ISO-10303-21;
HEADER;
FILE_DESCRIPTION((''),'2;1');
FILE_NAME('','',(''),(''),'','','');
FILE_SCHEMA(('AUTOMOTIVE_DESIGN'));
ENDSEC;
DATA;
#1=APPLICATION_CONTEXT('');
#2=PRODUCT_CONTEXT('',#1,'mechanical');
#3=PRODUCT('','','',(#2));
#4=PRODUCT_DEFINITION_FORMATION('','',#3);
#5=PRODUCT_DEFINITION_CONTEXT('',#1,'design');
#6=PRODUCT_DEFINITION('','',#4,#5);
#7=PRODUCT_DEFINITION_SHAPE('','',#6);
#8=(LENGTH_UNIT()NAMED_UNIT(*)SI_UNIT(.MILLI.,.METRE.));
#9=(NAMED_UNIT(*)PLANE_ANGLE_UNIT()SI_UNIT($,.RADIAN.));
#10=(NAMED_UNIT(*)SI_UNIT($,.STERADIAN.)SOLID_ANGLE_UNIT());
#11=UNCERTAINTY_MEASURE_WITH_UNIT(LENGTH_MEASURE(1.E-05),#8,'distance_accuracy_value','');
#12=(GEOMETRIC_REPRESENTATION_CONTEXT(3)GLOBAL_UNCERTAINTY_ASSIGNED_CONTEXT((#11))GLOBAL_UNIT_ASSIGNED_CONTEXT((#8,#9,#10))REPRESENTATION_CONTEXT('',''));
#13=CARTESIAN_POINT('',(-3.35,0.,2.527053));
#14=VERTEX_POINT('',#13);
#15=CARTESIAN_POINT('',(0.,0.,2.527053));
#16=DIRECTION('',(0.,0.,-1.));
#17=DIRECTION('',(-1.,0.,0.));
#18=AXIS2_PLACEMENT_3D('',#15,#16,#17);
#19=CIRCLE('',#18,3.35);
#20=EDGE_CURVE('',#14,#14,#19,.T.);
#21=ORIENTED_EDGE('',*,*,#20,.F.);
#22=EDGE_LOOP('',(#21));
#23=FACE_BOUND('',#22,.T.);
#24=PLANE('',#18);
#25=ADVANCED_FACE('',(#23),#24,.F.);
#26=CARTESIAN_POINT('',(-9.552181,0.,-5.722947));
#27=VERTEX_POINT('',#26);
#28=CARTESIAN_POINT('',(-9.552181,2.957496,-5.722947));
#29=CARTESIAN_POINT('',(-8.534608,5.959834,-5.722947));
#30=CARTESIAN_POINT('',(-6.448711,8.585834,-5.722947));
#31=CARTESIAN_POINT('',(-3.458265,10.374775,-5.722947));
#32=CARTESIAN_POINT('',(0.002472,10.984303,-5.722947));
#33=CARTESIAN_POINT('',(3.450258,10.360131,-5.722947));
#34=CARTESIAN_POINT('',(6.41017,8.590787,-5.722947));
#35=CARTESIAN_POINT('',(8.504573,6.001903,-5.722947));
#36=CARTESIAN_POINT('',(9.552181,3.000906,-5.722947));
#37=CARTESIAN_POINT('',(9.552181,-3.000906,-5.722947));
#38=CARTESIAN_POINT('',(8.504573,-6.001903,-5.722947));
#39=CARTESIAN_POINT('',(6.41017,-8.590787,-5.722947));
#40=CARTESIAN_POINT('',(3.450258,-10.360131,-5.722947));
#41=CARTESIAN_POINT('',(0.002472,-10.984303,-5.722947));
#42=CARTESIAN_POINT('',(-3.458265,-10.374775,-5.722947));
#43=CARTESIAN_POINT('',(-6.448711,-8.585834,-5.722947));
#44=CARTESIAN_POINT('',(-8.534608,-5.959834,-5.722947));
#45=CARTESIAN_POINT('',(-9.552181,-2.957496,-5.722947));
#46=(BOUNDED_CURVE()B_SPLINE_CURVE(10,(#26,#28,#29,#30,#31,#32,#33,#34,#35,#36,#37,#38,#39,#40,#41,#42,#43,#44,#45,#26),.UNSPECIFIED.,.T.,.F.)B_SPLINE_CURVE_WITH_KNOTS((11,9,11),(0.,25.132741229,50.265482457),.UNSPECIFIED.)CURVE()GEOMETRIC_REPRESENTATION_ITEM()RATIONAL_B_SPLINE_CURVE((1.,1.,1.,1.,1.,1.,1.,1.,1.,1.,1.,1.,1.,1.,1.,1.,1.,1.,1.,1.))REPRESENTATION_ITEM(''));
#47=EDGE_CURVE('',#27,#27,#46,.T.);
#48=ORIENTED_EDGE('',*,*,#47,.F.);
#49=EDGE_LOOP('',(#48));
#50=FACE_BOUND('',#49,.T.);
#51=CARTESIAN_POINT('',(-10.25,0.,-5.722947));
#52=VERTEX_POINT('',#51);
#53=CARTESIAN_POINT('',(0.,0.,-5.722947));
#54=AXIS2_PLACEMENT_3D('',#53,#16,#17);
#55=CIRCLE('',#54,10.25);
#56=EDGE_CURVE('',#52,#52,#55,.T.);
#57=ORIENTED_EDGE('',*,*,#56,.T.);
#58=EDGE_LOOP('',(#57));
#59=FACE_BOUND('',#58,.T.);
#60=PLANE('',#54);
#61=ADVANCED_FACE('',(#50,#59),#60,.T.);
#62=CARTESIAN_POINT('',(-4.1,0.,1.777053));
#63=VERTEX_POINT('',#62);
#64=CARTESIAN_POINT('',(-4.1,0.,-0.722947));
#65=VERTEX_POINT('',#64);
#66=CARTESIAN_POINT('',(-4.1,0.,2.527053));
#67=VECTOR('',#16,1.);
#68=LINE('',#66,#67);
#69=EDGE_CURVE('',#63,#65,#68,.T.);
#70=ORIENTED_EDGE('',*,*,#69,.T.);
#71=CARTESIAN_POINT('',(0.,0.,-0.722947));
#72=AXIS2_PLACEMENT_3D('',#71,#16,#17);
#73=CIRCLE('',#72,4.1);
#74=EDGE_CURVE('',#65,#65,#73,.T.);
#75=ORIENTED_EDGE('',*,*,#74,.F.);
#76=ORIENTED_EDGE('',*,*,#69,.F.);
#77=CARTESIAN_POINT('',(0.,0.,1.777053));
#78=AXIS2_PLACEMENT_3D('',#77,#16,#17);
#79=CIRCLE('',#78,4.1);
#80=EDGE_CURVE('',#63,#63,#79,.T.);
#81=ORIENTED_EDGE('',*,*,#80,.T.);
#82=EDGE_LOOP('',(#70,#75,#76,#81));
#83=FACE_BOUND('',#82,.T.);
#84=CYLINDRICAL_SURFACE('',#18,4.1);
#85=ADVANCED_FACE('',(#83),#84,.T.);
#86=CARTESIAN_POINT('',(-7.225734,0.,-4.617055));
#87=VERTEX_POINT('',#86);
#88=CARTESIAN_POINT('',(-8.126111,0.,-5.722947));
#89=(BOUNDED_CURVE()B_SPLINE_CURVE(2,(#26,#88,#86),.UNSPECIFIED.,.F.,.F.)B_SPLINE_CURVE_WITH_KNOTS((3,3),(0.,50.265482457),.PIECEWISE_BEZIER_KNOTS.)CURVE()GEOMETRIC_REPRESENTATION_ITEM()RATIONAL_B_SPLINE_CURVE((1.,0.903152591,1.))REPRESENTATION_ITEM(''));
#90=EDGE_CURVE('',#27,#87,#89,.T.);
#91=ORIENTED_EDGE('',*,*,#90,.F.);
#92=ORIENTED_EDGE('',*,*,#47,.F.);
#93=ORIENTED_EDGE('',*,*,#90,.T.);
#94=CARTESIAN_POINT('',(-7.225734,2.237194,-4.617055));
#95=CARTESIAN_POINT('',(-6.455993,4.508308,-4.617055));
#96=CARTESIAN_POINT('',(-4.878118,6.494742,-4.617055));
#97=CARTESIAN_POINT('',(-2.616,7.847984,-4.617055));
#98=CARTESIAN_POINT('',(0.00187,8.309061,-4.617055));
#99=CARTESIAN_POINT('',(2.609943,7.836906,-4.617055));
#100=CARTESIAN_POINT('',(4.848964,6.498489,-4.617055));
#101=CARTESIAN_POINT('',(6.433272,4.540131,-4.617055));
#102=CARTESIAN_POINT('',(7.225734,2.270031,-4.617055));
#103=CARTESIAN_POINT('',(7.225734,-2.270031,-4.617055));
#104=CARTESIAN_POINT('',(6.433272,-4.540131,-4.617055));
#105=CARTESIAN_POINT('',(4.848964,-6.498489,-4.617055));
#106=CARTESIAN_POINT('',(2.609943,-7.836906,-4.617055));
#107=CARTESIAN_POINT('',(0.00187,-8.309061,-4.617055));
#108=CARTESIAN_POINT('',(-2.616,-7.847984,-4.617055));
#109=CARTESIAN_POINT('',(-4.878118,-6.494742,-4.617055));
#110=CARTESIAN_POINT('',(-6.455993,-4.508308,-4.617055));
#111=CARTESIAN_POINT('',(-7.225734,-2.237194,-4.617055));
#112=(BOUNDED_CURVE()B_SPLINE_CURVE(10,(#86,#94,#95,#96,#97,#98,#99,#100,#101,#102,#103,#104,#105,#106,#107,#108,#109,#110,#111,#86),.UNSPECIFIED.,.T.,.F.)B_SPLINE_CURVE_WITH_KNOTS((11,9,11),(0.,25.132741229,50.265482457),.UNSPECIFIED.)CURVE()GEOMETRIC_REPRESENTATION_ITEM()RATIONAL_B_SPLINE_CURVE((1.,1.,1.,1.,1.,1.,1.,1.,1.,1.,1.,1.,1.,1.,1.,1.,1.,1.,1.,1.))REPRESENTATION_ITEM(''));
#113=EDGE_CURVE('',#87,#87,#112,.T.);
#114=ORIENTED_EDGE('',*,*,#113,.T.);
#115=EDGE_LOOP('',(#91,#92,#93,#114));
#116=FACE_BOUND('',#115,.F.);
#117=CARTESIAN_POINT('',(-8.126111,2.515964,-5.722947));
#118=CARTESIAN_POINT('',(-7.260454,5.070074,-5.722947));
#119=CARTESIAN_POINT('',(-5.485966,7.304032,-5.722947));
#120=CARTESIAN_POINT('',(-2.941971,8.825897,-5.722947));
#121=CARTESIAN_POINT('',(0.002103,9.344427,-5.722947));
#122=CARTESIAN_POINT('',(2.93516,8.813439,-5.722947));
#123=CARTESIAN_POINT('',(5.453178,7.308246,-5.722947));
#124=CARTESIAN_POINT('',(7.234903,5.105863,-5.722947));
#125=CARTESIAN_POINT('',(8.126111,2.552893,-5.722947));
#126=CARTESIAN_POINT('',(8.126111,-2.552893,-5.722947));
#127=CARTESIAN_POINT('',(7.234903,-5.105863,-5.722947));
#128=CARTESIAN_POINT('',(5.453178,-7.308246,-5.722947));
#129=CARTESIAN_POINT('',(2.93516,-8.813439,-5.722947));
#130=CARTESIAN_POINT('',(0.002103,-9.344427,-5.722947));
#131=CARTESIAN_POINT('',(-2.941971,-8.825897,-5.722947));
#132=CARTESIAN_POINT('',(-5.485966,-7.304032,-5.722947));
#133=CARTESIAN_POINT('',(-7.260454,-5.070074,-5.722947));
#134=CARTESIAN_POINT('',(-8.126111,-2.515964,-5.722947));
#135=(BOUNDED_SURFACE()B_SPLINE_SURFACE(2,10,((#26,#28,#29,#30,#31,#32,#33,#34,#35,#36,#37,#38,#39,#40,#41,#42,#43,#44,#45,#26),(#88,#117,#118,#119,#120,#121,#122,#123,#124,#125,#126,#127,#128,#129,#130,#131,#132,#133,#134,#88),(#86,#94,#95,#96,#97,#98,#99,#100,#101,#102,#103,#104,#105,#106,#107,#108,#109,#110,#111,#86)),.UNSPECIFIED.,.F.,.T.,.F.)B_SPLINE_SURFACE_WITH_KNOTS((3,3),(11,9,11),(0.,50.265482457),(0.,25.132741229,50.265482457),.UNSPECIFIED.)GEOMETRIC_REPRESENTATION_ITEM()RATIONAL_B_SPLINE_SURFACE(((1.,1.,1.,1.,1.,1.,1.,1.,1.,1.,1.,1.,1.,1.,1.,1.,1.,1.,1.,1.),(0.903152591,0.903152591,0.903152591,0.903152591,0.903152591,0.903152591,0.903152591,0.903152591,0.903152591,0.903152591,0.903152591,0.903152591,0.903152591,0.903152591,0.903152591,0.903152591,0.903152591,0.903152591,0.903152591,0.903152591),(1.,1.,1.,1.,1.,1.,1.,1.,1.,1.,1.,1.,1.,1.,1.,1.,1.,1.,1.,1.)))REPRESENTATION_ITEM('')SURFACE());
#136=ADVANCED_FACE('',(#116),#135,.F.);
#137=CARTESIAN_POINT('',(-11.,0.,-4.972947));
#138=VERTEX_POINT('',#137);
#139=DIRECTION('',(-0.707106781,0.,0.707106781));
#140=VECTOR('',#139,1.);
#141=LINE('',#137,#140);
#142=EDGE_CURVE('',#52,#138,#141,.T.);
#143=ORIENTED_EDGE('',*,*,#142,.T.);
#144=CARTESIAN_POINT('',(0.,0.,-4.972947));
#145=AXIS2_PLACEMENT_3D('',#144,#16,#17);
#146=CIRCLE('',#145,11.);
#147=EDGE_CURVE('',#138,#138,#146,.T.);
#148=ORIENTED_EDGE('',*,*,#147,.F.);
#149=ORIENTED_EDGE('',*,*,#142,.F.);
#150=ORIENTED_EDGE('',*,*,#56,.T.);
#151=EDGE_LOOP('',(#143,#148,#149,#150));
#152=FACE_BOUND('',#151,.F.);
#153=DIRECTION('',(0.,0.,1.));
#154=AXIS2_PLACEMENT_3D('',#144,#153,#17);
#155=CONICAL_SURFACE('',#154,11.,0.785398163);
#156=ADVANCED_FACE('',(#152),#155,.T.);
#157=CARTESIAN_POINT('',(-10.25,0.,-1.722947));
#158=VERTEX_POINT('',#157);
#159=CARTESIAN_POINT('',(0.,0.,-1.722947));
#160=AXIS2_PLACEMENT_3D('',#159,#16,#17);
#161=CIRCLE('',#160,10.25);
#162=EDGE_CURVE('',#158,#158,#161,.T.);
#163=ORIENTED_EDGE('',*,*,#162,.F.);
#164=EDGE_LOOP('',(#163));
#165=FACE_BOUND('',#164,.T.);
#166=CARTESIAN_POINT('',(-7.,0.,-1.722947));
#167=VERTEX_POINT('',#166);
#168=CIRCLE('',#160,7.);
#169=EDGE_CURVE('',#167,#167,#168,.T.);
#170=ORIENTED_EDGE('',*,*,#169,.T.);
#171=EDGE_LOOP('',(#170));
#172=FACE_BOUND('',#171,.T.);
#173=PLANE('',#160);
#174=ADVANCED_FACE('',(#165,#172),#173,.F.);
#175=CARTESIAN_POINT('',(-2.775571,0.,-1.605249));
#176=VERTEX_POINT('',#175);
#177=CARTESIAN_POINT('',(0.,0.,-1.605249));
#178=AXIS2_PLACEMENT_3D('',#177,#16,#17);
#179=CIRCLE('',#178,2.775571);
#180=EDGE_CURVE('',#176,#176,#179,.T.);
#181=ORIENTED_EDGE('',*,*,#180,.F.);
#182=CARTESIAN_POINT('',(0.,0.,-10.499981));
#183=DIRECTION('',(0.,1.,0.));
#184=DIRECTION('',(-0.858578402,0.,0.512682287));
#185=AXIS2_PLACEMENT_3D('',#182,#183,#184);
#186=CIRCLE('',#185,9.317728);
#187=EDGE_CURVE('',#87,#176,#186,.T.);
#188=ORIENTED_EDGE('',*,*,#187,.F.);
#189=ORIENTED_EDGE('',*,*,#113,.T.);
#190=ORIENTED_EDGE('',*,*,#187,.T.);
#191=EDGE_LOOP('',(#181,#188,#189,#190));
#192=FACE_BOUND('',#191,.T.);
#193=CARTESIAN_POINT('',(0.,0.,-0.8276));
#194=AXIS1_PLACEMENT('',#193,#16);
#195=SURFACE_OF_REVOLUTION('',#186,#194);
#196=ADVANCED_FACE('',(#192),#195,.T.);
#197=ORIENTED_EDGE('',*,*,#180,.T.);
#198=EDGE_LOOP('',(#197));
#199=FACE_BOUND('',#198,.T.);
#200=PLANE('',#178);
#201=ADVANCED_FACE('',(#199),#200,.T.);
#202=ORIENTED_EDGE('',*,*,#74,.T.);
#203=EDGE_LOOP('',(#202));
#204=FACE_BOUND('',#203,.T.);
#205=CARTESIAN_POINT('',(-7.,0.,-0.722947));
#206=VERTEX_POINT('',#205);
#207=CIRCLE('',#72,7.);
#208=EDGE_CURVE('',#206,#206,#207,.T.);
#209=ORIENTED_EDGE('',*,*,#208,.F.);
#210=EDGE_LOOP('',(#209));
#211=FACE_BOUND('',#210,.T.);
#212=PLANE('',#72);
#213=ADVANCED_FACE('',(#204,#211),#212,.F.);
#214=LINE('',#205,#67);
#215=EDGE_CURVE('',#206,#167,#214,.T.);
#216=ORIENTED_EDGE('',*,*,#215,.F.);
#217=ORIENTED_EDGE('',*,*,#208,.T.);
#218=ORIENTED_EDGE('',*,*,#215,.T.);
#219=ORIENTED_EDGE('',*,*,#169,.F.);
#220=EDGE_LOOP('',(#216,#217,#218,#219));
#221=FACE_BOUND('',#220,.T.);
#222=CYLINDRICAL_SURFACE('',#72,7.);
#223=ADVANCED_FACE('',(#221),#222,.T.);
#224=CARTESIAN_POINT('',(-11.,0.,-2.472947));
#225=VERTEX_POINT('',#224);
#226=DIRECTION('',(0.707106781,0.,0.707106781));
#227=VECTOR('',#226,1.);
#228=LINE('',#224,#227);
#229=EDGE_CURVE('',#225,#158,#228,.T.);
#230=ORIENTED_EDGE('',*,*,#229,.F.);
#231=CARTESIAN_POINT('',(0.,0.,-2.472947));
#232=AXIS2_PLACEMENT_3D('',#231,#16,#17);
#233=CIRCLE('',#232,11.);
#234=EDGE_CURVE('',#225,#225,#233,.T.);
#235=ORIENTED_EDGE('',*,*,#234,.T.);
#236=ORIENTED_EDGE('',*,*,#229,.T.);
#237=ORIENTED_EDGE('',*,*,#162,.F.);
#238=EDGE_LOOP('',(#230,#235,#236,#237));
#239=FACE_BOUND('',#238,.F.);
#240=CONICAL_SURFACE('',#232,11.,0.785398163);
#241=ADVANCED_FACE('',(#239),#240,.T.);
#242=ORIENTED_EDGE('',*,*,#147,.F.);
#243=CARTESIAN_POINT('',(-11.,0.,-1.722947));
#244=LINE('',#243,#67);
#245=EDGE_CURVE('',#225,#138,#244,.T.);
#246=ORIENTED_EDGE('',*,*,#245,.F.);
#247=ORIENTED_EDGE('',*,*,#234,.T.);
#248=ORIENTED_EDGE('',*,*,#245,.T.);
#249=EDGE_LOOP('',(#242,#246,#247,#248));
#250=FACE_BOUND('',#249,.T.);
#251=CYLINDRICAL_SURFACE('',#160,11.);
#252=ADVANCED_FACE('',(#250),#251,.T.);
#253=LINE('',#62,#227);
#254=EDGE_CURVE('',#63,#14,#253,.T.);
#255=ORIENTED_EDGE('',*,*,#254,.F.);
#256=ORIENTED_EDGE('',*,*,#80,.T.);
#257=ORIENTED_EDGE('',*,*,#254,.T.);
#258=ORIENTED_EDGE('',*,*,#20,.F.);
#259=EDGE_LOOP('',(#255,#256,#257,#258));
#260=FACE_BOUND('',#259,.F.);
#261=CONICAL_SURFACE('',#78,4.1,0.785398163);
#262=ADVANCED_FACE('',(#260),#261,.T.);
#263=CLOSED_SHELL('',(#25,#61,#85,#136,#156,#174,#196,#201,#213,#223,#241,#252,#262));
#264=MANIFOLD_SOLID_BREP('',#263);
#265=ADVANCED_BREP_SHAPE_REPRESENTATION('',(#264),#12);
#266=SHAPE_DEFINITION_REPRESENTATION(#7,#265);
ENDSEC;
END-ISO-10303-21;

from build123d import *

# Parameters (mm, degrees)
F2_R    = 3
F3_SIZE = 0.75
F4_SIZE = 0.75


with BuildPart() as f1:
    # F0 (on Front) → F1 (revolve)
    with BuildSketch(Plane.XZ):
        with BuildLine():
            Line((-11, -1.722947), (-11, -5.722947))
            Line((-11, -5.722947), (-8, -5.722947))
            ThreePointArc((-8, -5.722947), (-5.767763, -3.181992), (-2.775571, -1.605249))
            Line((-2.775571, -1.605249), (0, -1.605249))
            Line((0, -1.605249), (0, 2.527053))
            Line((0, 2.527053), (-4.1, 2.527053))
            Line((-4.1, 2.527053), (-4.1, -0.722947))
            Line((-4.1, -0.722947), (-7, -0.722947))
            Line((-7, -0.722947), (-7, -1.722947))
            Line((-7, -1.722947), (-11, -1.722947))
        make_face()
    revolve(axis=Axis((0, 0, -0.8276), (0, 0, -1)))

    # F2
    f2_edges = [f1.edges().sort_by_distance(p)[0] for p in [
        (8, 0, -5.722947),
    ]]
    fillet(f2_edges, radius=F2_R)

    # F3
    f3_edges = [f1.edges().sort_by_distance(p)[0] for p in [
        (11, 0, -5.722947),
        (11, 0, -1.722947),
    ]]
    chamfer(f3_edges, length=F3_SIZE)

    # F4
    f4_edges = [f1.edges().sort_by_distance(p)[0] for p in [
        (4.1, 0, 2.527053),
    ]]
    chamfer(f4_edges, length=F4_SIZE)


solid = f1.part
